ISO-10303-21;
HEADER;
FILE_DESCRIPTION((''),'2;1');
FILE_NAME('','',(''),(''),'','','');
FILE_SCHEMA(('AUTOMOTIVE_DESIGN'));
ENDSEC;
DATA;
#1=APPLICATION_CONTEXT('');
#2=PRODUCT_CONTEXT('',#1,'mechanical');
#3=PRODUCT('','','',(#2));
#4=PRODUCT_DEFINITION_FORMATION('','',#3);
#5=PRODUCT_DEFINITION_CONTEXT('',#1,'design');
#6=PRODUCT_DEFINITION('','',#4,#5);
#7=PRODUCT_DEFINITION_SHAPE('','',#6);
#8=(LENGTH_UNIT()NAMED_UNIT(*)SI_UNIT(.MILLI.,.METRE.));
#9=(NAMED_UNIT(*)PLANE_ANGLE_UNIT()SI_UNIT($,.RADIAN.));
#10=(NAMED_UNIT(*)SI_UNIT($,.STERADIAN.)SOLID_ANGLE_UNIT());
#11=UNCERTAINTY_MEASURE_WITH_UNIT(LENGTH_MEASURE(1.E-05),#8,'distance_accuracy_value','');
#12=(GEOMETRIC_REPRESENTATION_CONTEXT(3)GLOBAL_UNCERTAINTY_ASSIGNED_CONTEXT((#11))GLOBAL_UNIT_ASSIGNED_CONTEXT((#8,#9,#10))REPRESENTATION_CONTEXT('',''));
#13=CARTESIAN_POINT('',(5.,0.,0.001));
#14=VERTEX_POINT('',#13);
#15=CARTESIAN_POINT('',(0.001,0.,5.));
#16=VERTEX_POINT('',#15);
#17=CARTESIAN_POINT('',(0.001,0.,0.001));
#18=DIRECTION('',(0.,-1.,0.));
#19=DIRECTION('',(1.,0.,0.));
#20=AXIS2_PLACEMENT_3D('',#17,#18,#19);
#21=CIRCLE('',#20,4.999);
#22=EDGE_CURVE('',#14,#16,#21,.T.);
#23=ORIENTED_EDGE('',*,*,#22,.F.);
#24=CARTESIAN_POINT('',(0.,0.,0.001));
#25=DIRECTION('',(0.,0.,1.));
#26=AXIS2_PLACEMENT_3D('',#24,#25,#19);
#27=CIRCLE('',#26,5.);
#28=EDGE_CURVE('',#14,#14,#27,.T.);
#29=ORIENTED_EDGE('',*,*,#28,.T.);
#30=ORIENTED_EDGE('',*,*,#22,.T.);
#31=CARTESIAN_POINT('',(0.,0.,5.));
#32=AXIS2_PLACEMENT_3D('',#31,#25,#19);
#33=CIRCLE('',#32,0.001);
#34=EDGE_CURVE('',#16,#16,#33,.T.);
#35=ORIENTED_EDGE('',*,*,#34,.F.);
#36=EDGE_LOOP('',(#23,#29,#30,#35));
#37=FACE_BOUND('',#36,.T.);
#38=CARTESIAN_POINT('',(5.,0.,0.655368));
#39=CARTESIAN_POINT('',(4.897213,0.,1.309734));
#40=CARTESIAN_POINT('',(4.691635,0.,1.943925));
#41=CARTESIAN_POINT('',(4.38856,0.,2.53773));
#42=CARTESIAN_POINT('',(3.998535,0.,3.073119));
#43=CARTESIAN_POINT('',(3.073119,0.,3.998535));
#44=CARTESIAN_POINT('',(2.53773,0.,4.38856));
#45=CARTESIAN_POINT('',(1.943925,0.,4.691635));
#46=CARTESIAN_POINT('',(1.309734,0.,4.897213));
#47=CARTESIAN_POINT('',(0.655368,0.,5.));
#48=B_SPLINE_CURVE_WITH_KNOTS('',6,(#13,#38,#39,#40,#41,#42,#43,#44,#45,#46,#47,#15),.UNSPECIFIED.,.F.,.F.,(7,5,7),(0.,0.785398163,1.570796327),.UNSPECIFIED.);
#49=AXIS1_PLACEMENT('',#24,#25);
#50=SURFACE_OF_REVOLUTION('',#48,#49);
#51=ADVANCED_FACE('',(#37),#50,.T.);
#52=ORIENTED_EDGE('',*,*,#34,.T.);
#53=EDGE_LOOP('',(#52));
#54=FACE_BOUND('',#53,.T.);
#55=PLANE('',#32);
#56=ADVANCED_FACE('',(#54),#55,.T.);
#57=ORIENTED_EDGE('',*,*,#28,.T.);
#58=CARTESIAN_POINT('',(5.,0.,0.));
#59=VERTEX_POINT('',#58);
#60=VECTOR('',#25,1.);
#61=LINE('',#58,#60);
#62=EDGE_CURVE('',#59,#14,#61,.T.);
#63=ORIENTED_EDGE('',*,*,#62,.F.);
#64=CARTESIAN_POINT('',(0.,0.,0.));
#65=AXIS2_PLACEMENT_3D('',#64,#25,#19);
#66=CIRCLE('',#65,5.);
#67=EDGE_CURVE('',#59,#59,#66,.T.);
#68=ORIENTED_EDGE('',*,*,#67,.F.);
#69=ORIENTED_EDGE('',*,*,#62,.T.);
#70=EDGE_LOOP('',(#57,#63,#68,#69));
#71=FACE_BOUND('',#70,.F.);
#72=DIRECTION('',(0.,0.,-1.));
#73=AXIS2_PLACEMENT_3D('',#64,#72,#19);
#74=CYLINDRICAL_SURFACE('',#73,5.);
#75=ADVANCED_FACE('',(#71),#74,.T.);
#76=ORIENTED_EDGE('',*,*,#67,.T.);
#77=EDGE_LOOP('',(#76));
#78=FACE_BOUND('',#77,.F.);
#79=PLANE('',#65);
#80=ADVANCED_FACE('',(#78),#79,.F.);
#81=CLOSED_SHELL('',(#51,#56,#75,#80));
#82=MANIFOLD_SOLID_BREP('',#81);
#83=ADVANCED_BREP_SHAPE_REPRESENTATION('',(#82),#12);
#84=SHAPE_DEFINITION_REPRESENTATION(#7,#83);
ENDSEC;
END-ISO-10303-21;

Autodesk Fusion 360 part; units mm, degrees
sketch "Sketch1" plane through (0, 0, 0) normal (0, 0, 1) x (1, 0, 0)
  circle A0 centre (0, 0) radius 5
extrude "Extrude1" add sketch "Sketch1" along normal blind 5
fillet "Fillet1" radius 5 1 faces at (1.3101, -1.9935, 5)
